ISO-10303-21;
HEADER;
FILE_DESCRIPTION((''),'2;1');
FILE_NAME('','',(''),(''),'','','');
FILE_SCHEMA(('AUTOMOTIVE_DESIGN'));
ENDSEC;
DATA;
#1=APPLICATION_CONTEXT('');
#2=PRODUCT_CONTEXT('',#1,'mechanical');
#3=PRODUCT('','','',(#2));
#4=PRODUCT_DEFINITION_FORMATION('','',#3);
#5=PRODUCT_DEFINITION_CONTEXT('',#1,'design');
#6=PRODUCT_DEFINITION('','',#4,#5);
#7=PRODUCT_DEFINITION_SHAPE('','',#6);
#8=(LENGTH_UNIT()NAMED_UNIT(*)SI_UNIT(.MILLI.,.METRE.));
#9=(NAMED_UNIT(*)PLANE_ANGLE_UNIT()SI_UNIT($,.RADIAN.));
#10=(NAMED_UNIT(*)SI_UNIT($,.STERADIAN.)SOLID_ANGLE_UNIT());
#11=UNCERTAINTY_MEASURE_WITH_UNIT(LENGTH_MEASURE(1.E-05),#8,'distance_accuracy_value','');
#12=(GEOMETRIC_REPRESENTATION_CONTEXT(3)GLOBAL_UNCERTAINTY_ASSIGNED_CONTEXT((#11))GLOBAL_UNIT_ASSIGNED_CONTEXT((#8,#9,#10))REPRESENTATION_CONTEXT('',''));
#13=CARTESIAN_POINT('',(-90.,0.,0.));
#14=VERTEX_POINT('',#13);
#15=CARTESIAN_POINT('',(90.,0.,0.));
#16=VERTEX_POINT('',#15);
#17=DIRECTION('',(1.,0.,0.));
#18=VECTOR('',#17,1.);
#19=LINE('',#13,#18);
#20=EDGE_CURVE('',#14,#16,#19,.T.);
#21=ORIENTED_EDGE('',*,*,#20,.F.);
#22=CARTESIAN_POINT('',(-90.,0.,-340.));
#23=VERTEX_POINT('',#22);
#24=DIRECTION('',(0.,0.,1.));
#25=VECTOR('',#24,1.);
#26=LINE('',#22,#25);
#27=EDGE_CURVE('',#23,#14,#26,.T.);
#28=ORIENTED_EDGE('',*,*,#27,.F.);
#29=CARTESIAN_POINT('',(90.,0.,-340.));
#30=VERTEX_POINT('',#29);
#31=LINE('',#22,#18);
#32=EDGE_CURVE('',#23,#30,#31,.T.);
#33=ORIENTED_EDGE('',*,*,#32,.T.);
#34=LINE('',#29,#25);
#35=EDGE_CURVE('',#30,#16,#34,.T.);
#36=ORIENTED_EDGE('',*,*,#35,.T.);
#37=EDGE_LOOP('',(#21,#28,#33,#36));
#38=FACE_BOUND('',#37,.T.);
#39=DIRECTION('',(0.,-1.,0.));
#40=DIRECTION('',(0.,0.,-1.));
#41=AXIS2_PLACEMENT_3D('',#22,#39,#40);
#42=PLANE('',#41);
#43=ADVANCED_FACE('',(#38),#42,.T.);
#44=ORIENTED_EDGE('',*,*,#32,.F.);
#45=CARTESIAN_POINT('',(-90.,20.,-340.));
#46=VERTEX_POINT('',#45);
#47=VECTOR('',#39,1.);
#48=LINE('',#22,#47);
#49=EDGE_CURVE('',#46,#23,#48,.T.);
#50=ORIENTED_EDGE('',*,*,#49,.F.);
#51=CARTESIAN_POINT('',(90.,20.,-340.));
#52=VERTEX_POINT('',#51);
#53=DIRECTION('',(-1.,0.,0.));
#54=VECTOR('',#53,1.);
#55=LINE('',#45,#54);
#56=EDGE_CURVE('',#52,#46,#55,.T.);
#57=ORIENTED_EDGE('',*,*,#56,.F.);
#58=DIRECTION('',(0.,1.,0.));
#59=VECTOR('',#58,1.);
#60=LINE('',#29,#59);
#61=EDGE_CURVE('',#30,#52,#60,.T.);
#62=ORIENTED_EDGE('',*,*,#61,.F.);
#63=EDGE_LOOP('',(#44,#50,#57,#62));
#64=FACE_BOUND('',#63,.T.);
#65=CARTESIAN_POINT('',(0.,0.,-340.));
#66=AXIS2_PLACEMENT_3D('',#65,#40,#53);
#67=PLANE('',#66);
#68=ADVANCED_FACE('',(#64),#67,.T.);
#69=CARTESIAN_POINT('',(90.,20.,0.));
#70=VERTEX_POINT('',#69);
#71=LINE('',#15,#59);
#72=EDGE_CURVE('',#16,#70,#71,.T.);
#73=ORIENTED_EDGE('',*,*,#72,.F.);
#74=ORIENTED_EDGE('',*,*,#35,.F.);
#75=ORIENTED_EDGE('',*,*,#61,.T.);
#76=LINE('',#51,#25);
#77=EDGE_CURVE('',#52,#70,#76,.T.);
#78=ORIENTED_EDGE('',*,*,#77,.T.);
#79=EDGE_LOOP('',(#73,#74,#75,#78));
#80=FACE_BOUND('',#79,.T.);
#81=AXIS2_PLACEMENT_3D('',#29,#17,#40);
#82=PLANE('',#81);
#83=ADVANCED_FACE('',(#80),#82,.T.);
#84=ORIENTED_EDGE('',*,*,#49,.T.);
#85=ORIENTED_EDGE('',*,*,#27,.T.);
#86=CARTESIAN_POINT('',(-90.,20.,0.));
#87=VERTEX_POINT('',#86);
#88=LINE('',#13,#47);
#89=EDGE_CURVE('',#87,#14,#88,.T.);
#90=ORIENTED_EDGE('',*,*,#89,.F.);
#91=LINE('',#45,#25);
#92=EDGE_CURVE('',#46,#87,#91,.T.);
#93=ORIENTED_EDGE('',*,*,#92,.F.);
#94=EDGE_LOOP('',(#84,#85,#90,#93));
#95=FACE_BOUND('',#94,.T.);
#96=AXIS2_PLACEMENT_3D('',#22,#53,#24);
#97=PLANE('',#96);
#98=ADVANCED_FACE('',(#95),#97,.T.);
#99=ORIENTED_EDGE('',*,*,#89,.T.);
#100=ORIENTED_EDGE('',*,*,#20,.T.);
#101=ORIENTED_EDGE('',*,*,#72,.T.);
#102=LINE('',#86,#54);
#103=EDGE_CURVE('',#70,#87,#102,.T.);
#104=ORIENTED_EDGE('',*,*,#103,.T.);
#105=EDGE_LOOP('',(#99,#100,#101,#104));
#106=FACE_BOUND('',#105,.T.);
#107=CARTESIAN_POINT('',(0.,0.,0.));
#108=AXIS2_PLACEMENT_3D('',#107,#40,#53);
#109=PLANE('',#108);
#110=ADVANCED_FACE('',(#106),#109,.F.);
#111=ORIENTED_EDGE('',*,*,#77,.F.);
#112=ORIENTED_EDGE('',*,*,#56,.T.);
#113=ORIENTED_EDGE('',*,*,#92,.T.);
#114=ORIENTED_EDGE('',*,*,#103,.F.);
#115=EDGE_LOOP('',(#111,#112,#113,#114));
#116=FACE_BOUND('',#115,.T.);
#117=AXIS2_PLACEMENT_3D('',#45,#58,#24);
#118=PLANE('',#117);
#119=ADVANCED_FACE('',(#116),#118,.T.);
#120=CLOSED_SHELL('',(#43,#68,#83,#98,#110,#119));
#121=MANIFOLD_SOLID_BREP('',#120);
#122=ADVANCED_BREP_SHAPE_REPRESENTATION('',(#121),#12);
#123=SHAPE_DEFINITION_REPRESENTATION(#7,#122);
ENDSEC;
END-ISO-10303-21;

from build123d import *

# Parameters (mm, degrees)
SKETCH1_W                    = 180
SKETCH1_H                    = 20
UCY_TABAN_180X20X340_1_DEPTH = 340


with BuildPart() as part:
    # Sketch1 → UCY_taban_180x20x340_1 (new body)
    with BuildSketch(Plane.XY):
        with Locations((0, 10)):
            Rectangle(SKETCH1_W, SKETCH1_H)
    extrude(amount=-UCY_TABAN_180X20X340_1_DEPTH)


solid = part.part
